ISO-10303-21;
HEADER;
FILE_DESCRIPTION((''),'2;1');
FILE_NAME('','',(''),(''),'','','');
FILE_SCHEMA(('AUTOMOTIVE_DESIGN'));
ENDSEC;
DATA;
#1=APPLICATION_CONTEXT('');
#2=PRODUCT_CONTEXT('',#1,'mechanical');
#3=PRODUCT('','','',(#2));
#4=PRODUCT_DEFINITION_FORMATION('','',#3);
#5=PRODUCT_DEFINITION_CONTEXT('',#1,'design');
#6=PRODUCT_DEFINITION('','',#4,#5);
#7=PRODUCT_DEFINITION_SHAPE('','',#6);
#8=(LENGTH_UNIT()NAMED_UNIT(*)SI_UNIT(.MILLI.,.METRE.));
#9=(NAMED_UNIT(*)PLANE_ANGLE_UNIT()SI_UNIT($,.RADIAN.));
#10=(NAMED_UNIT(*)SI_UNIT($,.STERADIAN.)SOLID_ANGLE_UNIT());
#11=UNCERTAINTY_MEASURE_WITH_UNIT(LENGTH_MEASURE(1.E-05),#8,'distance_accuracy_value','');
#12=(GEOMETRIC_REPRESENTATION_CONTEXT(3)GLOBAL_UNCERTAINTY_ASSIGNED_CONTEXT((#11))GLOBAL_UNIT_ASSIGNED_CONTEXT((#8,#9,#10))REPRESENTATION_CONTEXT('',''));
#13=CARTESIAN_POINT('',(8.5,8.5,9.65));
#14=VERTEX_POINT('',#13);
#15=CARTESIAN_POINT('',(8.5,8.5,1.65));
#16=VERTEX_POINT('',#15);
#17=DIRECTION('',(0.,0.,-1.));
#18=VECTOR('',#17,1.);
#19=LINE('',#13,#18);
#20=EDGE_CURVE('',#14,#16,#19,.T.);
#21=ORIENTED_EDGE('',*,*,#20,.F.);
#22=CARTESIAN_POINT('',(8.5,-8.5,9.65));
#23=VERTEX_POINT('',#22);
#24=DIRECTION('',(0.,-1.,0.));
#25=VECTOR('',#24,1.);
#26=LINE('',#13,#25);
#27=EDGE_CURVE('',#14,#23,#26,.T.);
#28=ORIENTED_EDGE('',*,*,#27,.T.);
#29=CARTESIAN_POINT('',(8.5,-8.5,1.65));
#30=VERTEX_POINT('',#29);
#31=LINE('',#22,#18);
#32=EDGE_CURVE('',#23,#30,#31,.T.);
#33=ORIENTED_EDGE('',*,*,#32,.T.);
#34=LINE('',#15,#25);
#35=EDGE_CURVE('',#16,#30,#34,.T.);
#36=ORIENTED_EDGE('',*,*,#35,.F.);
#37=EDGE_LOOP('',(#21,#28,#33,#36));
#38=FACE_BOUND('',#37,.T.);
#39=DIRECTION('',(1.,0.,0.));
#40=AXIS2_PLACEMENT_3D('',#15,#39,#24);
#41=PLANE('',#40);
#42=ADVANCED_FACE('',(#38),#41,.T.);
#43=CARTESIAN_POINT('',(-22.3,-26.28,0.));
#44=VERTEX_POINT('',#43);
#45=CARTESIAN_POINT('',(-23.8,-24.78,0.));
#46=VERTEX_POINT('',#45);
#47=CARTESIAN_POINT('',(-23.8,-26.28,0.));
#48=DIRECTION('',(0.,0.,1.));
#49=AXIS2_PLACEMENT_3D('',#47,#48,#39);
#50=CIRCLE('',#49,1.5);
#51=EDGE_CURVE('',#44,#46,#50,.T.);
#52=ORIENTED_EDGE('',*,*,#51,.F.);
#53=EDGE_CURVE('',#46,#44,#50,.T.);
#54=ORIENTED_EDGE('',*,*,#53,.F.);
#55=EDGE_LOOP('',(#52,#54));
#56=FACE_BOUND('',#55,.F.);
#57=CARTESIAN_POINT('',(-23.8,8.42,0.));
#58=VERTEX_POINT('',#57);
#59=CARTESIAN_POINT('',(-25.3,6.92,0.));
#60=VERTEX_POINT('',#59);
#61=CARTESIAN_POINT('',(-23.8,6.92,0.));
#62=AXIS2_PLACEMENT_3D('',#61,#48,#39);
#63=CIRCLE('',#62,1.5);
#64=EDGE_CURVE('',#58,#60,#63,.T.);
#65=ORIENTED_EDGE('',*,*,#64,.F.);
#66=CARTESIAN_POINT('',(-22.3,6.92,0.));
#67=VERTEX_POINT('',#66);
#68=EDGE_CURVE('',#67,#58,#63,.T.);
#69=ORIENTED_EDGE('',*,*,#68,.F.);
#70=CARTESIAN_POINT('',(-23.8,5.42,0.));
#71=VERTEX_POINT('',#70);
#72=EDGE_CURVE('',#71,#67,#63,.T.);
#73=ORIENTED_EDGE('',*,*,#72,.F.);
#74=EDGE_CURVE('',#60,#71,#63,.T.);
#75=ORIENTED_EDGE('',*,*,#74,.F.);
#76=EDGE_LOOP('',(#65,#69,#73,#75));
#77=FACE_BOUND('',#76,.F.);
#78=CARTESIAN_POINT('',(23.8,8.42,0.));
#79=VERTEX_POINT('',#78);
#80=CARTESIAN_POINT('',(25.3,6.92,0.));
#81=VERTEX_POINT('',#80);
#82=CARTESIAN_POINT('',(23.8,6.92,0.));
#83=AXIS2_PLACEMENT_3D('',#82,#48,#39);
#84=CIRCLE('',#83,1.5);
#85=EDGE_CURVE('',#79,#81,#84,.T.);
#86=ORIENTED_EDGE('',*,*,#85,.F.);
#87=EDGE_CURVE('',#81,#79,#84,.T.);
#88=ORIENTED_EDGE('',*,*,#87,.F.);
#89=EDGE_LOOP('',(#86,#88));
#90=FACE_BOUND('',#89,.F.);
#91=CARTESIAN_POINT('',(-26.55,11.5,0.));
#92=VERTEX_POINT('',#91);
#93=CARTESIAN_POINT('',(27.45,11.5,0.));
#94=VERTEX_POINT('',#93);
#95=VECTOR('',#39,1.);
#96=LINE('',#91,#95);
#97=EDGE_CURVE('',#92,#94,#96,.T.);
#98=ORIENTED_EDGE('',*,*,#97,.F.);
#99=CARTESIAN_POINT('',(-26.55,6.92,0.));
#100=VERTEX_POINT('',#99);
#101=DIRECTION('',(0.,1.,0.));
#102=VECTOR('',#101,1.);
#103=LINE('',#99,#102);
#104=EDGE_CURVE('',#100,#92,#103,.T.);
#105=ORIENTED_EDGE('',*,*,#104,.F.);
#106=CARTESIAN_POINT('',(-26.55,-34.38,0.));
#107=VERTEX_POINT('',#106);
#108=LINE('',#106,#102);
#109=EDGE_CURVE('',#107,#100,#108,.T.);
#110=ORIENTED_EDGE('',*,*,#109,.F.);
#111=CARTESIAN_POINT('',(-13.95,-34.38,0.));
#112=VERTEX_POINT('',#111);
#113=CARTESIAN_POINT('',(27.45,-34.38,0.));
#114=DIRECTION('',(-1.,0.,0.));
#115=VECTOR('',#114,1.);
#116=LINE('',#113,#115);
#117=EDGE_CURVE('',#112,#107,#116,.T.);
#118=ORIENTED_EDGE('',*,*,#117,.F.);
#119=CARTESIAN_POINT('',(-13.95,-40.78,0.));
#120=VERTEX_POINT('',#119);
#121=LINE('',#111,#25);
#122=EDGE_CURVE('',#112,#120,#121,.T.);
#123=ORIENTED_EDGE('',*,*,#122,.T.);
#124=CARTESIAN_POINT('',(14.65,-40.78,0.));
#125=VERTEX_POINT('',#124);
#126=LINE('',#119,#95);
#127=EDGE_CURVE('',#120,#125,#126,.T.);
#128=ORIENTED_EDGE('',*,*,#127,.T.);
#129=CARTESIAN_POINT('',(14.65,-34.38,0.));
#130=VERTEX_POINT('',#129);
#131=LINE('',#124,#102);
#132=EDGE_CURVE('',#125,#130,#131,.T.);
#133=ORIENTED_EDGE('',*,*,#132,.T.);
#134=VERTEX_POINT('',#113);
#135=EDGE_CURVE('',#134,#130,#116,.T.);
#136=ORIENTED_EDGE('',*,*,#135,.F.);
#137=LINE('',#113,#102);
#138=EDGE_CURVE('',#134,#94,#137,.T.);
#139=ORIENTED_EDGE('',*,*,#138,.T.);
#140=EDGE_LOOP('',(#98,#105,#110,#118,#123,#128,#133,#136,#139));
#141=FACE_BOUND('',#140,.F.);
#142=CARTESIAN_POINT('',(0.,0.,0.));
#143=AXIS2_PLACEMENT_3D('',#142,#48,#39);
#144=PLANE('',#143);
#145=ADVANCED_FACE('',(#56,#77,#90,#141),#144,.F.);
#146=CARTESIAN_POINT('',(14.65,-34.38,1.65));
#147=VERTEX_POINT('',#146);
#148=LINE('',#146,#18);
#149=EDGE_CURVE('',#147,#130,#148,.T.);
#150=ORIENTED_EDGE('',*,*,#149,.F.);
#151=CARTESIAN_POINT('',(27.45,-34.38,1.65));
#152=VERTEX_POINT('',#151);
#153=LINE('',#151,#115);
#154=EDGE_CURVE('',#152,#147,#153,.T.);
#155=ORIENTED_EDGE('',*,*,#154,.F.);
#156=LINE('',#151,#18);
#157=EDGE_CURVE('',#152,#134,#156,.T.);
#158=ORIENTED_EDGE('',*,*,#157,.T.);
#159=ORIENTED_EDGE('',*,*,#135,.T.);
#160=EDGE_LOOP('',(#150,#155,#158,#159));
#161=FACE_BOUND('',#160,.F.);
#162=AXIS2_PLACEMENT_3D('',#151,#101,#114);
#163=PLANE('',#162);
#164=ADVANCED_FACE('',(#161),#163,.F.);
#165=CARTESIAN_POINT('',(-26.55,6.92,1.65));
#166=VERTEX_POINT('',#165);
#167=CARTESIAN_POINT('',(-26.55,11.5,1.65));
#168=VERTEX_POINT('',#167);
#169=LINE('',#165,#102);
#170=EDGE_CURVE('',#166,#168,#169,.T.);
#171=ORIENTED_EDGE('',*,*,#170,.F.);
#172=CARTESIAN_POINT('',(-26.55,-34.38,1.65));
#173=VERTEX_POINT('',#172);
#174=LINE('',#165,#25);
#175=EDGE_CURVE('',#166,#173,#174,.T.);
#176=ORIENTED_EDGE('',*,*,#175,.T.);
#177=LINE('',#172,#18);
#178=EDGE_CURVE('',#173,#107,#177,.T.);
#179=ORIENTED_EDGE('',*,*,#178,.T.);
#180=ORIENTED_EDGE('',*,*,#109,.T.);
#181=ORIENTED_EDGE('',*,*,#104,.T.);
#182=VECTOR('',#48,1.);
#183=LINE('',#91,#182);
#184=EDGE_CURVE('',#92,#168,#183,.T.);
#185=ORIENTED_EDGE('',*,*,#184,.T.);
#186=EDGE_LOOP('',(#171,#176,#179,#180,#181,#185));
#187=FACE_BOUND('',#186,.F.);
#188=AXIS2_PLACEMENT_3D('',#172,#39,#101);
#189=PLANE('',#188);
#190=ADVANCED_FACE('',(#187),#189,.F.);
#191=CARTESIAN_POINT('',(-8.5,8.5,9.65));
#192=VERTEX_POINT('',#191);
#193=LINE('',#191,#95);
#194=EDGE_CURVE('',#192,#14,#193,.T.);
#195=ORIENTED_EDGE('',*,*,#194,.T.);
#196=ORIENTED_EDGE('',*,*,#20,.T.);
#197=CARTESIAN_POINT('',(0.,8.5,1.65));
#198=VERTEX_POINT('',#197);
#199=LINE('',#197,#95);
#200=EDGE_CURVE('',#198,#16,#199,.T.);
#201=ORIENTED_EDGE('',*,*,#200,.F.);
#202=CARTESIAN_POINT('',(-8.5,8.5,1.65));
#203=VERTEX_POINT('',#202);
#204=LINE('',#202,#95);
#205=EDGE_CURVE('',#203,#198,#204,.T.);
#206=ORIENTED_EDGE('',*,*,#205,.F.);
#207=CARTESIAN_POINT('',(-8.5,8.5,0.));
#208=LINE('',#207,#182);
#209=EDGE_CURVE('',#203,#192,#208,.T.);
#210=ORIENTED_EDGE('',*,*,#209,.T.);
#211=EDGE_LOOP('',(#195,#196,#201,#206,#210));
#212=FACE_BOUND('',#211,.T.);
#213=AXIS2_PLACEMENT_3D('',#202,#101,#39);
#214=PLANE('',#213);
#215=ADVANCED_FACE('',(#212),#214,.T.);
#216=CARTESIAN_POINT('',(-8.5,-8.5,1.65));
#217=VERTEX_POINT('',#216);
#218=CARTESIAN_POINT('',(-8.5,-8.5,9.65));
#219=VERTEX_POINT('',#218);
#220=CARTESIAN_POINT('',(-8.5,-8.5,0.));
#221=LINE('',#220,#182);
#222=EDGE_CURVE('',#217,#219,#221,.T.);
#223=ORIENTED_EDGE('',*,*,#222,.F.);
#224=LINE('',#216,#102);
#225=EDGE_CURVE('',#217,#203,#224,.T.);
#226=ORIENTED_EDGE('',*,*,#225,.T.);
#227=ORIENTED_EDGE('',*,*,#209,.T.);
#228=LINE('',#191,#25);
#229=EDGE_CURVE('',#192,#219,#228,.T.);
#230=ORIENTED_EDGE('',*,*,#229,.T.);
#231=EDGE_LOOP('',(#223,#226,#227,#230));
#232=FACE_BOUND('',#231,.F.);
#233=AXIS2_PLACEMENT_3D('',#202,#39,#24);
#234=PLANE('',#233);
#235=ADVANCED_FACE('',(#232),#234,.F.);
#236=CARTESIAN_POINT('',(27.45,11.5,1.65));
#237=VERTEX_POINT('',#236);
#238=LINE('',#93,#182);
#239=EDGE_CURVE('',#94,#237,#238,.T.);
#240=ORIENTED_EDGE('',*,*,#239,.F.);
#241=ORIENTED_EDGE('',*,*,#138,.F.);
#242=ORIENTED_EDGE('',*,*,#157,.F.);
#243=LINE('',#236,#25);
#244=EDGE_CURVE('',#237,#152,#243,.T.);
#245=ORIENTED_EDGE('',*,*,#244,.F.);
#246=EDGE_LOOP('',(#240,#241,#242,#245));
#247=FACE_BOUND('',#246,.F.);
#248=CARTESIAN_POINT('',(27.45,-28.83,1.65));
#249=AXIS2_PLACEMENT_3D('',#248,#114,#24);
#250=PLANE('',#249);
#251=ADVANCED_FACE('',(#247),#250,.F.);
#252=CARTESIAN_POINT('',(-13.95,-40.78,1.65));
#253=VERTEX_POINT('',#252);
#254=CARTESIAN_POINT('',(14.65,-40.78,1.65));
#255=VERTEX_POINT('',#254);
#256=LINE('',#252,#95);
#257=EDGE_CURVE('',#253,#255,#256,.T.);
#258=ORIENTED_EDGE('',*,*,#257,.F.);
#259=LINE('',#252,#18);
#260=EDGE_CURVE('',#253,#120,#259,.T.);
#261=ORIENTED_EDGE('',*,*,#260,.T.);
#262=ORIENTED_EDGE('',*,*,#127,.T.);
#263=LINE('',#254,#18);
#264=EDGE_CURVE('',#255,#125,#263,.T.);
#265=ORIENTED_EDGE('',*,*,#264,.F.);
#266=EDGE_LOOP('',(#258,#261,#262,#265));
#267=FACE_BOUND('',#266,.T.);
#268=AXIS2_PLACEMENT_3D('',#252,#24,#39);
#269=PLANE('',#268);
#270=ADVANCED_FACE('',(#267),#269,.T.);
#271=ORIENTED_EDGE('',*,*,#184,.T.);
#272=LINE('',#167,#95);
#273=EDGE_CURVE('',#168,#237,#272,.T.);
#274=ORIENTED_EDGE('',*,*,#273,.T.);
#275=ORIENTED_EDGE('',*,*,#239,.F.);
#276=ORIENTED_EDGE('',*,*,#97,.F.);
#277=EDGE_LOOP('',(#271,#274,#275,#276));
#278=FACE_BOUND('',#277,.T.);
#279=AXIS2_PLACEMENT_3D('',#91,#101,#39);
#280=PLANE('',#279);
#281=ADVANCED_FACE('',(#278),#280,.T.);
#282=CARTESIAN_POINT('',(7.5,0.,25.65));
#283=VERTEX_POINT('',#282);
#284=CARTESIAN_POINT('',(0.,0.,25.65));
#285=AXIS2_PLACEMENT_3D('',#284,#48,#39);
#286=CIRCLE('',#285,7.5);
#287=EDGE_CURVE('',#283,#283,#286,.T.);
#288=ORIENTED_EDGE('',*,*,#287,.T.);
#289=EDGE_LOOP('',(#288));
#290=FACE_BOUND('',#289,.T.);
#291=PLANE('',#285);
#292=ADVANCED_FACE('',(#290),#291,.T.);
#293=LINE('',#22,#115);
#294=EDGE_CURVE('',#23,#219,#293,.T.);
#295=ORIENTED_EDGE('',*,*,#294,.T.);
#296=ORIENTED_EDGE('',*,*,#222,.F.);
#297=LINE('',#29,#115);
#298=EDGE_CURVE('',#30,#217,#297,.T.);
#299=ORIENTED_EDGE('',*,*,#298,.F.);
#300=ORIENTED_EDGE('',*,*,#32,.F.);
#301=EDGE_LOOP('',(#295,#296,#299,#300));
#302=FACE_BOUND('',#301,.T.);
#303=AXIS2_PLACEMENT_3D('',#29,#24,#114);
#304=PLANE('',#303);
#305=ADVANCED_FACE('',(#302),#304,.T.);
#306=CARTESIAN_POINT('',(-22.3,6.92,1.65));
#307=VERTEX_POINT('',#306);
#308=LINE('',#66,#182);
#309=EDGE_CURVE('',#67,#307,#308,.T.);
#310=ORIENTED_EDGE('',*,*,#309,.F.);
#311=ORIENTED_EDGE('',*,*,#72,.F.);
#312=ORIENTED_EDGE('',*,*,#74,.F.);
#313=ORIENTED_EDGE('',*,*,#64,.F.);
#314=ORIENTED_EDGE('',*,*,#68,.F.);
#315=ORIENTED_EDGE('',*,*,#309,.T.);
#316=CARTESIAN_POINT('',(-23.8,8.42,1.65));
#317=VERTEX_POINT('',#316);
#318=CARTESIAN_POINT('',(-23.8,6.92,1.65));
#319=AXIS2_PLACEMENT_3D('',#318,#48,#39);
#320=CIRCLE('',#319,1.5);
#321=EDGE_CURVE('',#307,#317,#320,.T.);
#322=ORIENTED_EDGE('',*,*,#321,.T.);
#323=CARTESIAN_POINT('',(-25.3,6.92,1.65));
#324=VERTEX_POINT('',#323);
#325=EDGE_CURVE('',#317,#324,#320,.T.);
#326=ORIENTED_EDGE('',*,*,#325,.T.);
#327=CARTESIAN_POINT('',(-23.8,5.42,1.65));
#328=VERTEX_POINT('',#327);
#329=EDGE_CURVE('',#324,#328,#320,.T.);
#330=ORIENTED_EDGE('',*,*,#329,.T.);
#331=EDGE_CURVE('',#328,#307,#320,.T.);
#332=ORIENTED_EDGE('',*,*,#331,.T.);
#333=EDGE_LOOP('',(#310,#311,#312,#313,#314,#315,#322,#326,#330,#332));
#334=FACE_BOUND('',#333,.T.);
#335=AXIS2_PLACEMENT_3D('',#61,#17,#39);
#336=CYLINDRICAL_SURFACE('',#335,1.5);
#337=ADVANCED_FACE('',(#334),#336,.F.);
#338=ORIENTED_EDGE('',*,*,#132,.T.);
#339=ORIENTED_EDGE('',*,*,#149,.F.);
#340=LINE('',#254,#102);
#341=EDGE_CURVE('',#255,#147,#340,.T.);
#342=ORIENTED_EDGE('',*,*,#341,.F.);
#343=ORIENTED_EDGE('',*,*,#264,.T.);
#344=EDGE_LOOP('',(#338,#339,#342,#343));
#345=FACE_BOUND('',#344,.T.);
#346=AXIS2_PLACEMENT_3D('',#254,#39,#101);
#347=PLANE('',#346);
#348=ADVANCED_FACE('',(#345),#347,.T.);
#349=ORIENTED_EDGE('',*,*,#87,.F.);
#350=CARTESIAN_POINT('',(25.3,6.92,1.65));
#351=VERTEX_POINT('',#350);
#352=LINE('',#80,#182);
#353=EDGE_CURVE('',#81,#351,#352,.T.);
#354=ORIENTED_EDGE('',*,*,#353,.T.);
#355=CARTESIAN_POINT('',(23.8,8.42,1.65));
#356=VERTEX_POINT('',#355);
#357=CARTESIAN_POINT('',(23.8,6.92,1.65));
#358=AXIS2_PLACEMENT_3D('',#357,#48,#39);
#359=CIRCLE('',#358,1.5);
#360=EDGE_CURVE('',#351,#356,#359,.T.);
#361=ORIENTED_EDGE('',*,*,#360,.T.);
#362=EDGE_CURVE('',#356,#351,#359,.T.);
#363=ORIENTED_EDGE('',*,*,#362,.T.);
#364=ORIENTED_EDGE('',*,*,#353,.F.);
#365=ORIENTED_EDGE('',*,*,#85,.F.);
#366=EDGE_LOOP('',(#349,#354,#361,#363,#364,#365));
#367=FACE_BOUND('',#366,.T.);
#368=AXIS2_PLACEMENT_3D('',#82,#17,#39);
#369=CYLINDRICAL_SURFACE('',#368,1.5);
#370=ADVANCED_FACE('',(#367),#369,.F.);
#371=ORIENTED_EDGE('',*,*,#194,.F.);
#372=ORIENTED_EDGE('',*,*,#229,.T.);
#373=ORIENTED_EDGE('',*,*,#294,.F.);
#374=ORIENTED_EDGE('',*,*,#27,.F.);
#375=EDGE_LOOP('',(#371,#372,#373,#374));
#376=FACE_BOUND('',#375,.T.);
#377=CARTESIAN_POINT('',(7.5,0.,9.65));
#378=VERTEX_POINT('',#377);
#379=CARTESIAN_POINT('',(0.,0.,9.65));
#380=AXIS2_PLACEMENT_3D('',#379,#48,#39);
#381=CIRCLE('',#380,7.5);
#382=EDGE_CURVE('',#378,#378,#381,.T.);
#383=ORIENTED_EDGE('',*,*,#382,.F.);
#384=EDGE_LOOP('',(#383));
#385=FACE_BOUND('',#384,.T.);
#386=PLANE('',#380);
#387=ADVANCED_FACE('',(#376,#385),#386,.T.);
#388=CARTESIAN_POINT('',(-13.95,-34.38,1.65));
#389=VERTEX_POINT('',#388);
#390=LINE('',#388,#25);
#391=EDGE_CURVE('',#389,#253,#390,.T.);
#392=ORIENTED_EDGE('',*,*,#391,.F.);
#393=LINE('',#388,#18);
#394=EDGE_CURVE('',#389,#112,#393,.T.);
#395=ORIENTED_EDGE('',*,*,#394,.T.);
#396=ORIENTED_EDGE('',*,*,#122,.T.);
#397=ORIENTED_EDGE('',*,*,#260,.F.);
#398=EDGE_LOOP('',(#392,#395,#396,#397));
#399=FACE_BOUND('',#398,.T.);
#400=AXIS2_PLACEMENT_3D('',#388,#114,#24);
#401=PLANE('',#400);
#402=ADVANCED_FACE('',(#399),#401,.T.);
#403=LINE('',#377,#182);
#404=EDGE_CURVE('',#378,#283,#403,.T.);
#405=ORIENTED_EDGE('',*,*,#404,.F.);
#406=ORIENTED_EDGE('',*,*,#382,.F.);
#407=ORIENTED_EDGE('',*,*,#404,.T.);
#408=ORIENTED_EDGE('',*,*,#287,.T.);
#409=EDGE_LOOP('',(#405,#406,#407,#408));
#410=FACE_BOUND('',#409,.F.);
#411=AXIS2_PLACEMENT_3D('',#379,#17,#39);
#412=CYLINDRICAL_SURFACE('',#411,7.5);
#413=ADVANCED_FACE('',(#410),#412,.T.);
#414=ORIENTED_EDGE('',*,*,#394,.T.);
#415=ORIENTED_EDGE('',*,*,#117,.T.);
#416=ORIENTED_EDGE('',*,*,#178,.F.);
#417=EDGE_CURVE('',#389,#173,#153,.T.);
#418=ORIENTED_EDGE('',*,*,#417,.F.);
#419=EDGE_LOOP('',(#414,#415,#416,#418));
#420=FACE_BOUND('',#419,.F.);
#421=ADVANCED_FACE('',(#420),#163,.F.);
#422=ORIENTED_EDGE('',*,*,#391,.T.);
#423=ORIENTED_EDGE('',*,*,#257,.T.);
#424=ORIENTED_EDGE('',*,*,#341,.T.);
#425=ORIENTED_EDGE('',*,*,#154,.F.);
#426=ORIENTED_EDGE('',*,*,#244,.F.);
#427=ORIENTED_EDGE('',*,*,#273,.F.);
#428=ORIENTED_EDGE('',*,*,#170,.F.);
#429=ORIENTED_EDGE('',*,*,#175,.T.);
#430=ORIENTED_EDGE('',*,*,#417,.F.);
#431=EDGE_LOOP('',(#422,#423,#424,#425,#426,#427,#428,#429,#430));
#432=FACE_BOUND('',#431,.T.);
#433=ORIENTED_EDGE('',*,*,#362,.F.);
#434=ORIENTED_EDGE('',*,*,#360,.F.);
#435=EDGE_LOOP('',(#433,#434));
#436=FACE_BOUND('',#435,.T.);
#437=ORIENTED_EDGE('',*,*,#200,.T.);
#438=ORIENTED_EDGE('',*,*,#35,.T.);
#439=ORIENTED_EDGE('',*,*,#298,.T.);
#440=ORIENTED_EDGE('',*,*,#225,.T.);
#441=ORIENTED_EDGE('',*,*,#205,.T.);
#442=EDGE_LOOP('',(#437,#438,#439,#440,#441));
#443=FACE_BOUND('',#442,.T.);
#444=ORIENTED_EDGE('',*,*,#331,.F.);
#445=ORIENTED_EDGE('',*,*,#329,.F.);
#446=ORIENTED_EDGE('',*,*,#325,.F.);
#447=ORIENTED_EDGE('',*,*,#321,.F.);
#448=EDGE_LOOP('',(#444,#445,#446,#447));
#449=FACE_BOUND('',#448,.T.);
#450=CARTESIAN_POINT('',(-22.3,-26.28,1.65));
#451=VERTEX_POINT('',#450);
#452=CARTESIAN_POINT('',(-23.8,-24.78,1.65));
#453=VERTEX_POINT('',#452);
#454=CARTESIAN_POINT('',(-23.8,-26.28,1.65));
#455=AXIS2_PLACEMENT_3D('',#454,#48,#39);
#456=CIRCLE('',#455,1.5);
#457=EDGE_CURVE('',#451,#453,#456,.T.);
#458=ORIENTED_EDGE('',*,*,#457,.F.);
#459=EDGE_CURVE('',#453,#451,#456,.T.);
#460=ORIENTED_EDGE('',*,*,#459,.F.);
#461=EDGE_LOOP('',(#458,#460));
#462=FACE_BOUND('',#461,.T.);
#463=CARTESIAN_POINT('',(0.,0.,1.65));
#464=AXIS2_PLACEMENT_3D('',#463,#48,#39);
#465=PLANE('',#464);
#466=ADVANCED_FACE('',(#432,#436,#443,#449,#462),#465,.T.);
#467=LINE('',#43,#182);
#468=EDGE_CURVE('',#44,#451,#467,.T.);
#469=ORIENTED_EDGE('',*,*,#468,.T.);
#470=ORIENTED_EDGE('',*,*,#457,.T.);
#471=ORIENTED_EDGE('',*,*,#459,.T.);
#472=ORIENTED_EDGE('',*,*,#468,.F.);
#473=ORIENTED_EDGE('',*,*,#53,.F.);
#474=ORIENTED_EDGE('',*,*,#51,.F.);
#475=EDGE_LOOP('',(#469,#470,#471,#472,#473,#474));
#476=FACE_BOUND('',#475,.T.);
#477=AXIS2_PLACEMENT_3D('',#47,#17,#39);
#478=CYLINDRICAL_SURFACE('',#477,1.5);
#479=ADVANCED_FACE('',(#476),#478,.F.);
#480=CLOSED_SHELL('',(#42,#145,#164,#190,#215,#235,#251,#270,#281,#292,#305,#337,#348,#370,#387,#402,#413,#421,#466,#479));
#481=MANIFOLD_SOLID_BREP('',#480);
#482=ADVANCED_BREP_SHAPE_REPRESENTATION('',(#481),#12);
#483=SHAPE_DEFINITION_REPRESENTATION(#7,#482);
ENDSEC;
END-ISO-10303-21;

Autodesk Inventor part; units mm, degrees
ref_plane "YZ Plane" through (0, 0, 0) normal (1, 0, 0) x (0, 1, 0)
ref_plane "XZ Plane" through (0, 0, 0) normal (0, 1, 0) x (-1, 0, 0)
ref_plane "XY Plane" through (0, 0, 0) normal (0, 0, 1) x (1, 0, 0)
sketch "Sketch1" plane through (0, 0, 0) normal (0, 0, 1) x (1, 0, 0)
  line L0 (0, 0) -> (0, 8.5)
  line L1 (0, 8.5) -> (8.5, 8.5)
  line L2 (8.5, 8.5) -> (8.5, -8.5)
  line L3 (8.5, -8.5) -> (-8.5, -8.5)
  line L4 (-8.5, -8.5) -> (-8.5, 8.5)
  line L5 (-8.5, 8.5) -> (0, 8.5)
  line L6 (0, 8.5) -> (0, 10.25)
  line L7 (0, 10.25) -> (-23.8, 10.25)
  line L8 (-23.8, 10.25) -> (-23.8, 6.92)
  circle A0 centre (-23.8, 6.92) radius 1.5
  line L9 (0, 10.25) -> (23.8, 10.25)
  line L10 (23.8, 10.25) -> (23.8, 6.92)
  circle A1 centre (23.8, 6.92) radius 1.5
  line L11 (-23.8, 6.92) -> (-23.8, -26.28)
  circle A2 centre (-23.8, -26.28) radius 1.5
  line L12 (0, 0) -> (0, 6.92)
  line L13 (-25.3, 6.92) -> (-26.55, 6.92)
  line L14 (-26.55, 6.92) -> (-26.55, -28.83)
  line L15 (-26.55, 6.92) -> (-26.55, 11.5)
  line L16 (-26.55, 11.5) -> (27.45, 11.5)
  line L17 (27.45, 11.5) -> (27.45, 11.5)
  line L18 (27.45, 11.5) -> (27.45, -28.83)
  line L19 (27.45, -28.83) -> (-26.55, -28.83)
  dimension "d8" = 3
  dimension "d0" = 8.5
  dimension "d1" = 8.5
  dimension "d2" = 17
  dimension "d3" = 17
  dimension "d4" = 17
  dimension "d5" = 1.75
  dimension "d6" = 23.8
  dimension "d7" = 3.33
  dimension "d9" = 23.8
  dimension "d10" = 3.33
  dimension "d11" = 3
  dimension "d12" = 33.2
  dimension "d13" = 3
  dimension "d14" = 1.25
  dimension "d15" = 35.75
  dimension "d16" = 4.58
  dimension "d17" = 0
  dimension "d33" = 54
extrude "Extrusion1" add sketch "Sketch1" along normal blind 1.65
sketch "Sketch2" plane through (0, 0, 1.65) normal (0, 0, 1) x (1, 0, 0)
  line L0 (-8.5, 8.5) -> (-8.5, -8.5) projected
  line L1 (8.5, 8.5) -> (8.5, -8.5) projected
  line L2 (-8.5, 8.5) -> (8.5, 8.5)
  line L3 (8.5, 8.5) -> (8.5, -8.5)
  line L4 (8.5, -8.5) -> (-8.5, -8.5)
  line L5 (-8.5, -8.5) -> (-8.5, 8.5)
  point P0 (0, 0)
extrude "Extrusion2" add sketch "Sketch2" along normal blind 8 and the other way blind 1.65
sketch "Sketch3" plane through (0, 0, 9.65) normal (0, 0, 1) x (1, 0, 0)
  circle A0 centre (0, 0) radius 7.5
  dimension "d24" = 15
extrude "Extrusion3" add sketch "Sketch3" along normal blind 16
sketch "Sketch4" plane through (0, 0, 1.65) normal (0, 0, 1) x (1, 0, 0)
  line L0 (-26.55, -28.83) -> (27.45, -28.83) projected
  line L1 (-26.55, -28.83) -> (27.45, -28.83)
  line L2 (27.45, -28.83) -> (27.45, -34.38)
  line L3 (27.45, -34.38) -> (-26.55, -34.38)
  line L4 (-26.55, -34.38) -> (-26.55, -28.83)
  point P0 (0, 0)
  dimension "d27" = 5.55
  dimension "d34" = 54
extrude "Extrusion4" add sketch "Sketch4" against normal blind 1.65
sketch "Sketch5" plane through (0, 0, 1.65) normal (0, 0, 1) x (1, 0, 0)
  line L0 (27.45, -34.38) -> (-26.55, -34.38) projected
  line L1 (-26.55, -34.38) -> (-13.95, -34.38)
  line L2 (-13.95, -34.38) -> (-13.95, -40.78)
  line L3 (-13.95, -40.78) -> (14.65, -40.78)
  line L4 (14.65, -40.78) -> (14.65, -34.38)
  line L5 (14.65, -34.38) -> (-13.95, -34.38)
  point P0 (0, 0)
  dimension "d30" = 12.6
  dimension "d31" = 6.4
  dimension "d32" = 28.6
extrude "Extrusion5" add sketch "Sketch5" against normal blind 1.65
equation "\"d9\" = d6"
properties part number "Pixy Sketch"
